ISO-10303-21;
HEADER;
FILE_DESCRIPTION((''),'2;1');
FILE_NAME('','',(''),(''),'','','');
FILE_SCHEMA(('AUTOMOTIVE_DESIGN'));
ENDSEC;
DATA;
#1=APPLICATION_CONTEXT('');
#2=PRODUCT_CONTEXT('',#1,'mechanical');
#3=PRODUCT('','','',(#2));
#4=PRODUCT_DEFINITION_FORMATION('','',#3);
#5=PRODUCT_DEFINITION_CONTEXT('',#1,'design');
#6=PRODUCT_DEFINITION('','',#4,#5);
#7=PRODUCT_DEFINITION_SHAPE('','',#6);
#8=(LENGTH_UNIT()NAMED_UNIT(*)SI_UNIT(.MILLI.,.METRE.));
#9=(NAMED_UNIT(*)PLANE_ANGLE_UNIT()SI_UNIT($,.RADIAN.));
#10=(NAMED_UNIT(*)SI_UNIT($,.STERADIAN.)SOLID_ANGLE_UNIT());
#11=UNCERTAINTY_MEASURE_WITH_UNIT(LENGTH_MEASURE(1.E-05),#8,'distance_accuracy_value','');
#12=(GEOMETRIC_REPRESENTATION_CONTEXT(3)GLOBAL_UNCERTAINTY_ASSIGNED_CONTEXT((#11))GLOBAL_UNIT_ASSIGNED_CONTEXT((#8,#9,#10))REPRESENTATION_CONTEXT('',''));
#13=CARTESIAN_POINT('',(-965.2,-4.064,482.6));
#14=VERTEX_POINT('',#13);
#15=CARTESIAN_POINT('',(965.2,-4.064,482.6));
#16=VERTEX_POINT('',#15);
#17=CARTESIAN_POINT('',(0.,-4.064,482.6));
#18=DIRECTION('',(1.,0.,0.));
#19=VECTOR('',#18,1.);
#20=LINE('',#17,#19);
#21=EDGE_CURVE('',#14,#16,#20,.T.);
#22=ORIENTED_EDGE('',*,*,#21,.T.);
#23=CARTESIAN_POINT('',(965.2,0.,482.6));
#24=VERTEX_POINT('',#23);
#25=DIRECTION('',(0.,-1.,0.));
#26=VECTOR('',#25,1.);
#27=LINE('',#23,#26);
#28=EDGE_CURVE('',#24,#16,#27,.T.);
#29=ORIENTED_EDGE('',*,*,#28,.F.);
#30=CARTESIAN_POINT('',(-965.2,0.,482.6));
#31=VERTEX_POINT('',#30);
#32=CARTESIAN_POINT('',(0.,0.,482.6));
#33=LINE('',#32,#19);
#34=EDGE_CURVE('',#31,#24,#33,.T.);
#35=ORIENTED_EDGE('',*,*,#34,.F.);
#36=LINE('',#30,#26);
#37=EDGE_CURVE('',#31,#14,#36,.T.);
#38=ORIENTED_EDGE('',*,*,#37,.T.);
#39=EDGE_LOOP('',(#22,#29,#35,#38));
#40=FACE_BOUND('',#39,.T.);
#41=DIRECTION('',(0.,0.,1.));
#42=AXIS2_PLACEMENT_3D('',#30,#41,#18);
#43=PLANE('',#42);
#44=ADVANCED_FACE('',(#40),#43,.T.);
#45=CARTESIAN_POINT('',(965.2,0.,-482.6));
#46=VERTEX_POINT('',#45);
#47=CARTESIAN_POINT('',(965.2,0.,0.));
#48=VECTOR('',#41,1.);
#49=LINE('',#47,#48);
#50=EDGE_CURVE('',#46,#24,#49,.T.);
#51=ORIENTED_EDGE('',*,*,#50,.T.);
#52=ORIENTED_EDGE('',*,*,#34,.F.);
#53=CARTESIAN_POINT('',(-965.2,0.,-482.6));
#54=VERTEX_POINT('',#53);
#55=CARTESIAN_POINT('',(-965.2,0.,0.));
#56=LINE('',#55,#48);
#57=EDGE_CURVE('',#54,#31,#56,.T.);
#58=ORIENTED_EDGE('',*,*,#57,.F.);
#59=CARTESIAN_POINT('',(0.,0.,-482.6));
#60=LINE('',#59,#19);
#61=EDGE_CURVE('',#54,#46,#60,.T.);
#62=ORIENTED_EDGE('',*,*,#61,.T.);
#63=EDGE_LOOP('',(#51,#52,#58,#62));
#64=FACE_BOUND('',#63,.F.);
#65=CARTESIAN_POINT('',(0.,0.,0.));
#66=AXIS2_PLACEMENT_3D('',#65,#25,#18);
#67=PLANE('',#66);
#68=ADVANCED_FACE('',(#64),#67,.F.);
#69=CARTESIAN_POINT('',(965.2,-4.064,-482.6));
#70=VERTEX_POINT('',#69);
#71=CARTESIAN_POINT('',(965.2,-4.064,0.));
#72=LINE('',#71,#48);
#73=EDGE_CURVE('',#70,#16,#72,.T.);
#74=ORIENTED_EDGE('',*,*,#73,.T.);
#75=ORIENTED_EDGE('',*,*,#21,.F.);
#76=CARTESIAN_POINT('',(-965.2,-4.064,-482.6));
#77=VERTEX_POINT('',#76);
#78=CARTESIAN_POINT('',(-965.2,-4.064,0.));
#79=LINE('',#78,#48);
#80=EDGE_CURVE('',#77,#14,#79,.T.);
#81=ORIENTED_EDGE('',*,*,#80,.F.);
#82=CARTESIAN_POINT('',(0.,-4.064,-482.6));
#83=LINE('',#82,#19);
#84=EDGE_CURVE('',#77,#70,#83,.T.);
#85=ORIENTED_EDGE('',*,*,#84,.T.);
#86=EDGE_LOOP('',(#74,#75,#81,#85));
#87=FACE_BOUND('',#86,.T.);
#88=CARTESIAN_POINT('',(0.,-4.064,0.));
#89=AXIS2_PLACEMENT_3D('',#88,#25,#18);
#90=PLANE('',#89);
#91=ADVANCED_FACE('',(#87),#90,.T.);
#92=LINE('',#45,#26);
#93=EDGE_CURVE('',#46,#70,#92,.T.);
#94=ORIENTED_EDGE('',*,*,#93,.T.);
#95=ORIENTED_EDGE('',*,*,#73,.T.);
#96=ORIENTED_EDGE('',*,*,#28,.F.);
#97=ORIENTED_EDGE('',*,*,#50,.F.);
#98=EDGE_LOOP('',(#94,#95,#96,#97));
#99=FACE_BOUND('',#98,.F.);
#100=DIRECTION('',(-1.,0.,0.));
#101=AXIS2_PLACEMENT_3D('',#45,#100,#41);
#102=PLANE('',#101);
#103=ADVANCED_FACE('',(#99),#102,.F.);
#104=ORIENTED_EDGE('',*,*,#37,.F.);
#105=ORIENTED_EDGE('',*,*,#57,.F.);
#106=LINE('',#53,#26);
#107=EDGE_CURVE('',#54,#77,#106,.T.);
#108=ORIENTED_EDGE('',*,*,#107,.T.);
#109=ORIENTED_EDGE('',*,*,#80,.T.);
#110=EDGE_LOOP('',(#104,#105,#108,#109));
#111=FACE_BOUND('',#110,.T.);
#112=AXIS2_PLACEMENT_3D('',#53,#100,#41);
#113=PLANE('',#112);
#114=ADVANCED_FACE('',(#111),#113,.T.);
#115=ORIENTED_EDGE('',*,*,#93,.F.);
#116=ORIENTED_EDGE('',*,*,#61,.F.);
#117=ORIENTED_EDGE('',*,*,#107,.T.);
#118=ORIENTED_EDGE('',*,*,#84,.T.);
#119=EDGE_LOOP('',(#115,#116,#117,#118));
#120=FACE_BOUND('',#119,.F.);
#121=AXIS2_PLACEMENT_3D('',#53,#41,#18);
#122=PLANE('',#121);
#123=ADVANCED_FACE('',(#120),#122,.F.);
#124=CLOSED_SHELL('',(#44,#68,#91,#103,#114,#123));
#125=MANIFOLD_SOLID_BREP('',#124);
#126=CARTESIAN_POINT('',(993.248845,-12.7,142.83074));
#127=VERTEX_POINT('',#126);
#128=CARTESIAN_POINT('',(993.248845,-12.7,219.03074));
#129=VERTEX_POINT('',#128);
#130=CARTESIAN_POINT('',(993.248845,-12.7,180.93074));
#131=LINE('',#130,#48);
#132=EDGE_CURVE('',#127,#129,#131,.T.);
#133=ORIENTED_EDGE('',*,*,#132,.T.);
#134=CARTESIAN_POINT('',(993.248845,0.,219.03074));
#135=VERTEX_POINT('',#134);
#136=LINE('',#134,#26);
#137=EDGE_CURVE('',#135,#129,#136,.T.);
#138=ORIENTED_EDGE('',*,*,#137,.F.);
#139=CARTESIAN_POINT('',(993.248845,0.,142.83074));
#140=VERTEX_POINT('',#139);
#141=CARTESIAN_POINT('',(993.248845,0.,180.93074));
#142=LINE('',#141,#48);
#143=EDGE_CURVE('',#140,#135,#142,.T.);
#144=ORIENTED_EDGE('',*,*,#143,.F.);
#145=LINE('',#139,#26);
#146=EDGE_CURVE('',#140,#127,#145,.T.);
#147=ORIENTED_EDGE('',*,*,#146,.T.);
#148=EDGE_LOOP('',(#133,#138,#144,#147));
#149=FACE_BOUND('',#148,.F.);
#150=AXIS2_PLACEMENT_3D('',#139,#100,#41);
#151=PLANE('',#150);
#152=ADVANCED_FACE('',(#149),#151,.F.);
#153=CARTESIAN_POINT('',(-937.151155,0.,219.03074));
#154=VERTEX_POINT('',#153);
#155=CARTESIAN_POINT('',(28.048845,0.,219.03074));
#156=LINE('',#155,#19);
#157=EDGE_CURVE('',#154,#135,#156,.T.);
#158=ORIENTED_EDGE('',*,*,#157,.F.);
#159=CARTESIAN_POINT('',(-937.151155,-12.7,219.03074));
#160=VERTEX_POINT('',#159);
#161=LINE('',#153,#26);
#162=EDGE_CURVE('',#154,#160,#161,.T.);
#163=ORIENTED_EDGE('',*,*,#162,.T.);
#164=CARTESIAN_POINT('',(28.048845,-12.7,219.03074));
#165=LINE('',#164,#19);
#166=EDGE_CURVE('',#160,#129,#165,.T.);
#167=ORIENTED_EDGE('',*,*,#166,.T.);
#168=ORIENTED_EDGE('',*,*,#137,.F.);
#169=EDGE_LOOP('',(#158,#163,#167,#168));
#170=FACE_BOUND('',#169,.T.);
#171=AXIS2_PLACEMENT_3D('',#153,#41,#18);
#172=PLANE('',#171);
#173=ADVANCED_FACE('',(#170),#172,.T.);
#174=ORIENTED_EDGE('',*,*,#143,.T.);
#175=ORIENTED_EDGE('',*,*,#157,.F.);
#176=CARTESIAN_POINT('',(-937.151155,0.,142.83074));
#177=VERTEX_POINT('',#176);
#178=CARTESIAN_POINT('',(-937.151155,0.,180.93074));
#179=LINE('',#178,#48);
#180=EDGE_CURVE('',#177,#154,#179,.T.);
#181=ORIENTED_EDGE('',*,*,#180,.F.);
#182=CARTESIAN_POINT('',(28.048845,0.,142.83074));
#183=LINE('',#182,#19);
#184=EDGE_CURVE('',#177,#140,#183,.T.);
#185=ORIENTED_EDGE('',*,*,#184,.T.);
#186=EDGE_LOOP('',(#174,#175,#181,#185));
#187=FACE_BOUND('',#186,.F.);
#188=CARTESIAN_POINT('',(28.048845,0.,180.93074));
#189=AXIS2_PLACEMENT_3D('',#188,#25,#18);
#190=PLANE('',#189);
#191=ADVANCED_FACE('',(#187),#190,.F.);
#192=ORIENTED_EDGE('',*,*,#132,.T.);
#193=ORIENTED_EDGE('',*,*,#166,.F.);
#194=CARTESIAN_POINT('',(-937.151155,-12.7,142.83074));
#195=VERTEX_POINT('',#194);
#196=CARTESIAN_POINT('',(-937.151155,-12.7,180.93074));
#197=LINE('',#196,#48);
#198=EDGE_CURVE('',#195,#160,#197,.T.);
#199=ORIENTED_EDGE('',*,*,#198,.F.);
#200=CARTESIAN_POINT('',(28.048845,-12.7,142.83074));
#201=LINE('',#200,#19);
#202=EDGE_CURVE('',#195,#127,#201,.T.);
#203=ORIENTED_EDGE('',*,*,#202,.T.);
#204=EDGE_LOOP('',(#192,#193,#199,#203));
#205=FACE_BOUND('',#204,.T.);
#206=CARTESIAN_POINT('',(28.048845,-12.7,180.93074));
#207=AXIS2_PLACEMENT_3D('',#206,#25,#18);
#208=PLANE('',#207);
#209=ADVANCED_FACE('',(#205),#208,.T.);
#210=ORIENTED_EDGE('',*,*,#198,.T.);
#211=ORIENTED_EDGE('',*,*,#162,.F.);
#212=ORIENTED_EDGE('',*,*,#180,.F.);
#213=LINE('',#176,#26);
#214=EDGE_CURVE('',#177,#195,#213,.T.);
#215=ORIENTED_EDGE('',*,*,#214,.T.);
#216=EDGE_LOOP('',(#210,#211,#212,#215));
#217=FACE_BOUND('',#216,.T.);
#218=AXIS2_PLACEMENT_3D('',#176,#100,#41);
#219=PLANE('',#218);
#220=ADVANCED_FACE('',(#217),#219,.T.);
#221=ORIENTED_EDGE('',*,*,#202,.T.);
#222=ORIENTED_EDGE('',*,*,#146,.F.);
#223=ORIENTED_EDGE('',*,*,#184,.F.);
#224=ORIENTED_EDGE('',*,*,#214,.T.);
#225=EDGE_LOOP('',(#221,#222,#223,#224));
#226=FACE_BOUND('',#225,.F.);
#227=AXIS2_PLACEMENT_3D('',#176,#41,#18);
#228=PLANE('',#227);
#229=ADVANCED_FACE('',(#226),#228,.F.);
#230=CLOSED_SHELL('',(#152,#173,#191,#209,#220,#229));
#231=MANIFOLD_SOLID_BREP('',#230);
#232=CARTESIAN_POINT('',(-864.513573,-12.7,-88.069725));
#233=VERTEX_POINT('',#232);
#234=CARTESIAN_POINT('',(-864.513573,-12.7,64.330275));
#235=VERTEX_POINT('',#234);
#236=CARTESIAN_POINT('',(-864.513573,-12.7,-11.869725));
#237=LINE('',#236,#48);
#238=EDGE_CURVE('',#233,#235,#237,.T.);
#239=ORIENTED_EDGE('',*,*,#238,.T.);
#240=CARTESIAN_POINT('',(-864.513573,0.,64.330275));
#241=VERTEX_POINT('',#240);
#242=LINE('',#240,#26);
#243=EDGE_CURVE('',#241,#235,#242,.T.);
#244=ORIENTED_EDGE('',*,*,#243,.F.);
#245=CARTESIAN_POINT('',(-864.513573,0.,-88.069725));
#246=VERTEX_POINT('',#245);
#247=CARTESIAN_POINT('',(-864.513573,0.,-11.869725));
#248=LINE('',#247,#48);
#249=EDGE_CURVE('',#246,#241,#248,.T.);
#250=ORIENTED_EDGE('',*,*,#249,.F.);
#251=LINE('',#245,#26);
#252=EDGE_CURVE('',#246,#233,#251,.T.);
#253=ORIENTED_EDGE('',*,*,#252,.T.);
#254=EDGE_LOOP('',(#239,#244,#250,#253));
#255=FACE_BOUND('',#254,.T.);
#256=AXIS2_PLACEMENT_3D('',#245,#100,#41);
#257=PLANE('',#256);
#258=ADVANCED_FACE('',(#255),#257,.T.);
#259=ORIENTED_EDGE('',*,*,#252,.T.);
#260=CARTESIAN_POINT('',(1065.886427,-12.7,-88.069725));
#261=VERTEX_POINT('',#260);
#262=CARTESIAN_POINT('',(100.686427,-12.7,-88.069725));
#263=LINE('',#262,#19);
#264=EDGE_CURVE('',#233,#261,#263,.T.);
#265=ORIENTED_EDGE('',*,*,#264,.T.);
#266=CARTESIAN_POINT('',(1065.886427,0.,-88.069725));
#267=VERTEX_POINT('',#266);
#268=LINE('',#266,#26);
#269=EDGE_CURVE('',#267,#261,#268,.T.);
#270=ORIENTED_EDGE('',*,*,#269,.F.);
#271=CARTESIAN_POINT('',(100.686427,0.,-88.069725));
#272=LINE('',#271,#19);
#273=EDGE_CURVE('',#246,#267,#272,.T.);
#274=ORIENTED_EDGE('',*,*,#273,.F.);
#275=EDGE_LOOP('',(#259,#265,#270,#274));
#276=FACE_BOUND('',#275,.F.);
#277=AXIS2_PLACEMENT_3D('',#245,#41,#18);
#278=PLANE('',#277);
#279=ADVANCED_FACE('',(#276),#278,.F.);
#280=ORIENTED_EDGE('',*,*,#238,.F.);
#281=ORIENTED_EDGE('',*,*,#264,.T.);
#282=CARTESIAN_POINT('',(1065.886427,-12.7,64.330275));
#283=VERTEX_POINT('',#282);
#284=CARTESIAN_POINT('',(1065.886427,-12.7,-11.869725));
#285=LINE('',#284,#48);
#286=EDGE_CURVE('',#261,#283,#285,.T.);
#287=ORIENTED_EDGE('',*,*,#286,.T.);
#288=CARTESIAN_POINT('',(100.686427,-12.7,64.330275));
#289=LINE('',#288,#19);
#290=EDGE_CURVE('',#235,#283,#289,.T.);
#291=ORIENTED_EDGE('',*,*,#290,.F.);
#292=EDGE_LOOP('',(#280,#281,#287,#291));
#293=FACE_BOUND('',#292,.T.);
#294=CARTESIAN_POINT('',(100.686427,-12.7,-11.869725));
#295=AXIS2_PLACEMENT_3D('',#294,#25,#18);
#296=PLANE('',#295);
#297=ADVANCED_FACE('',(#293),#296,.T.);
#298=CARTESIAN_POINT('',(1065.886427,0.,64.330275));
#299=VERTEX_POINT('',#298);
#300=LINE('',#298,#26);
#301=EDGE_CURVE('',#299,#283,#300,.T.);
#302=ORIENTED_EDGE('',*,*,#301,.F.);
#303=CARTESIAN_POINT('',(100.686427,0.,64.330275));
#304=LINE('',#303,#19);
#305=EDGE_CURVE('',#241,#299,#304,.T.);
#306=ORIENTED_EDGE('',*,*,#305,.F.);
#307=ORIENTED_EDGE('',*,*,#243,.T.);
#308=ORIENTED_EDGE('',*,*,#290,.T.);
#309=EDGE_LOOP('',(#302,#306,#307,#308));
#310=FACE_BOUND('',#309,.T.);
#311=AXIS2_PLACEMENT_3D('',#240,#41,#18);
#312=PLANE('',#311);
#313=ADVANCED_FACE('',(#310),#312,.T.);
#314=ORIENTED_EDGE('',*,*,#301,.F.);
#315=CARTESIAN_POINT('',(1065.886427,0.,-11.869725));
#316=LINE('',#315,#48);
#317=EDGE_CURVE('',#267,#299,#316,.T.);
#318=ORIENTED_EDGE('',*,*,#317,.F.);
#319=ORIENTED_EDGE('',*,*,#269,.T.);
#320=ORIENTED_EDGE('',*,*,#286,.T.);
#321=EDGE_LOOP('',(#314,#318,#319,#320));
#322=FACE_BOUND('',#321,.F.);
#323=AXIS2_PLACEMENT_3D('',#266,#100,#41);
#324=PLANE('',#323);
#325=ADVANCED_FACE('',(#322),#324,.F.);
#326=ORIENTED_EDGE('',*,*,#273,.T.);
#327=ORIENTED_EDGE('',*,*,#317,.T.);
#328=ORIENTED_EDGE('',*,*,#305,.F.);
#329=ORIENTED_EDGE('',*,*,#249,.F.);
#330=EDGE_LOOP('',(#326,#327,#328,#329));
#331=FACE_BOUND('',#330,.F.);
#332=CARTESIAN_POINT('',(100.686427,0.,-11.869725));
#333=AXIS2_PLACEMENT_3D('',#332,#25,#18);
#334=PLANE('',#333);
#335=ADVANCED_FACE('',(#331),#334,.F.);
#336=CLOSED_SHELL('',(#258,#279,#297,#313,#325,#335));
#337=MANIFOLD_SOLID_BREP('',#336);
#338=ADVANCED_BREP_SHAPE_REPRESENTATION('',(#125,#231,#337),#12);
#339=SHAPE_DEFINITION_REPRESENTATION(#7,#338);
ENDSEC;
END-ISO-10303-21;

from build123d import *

# Parameters (mm, degrees)
F0_W     = 1930.4
F0_H     = 152.4
F1_DEPTH = 12.7
F2_W     = 1930.4
F2_H     = 76.2
F3_DEPTH = 12.7
F4_W     = 1930.4
F4_H     = 965.2
F5_DEPTH = 4.064


with BuildPart() as f1:
    # F0 (on Front) → F1 (new body)
    with BuildSketch(Plane.XZ):
        with Locations((100.686427, -11.869725)):
            Rectangle(F0_W, F0_H)
    extrude(amount=F1_DEPTH)


with BuildPart() as f3:
    # F2 (on Front) → F3 (new body)
    with BuildSketch(Plane.XZ):
        with Locations((28.048845, 180.93074)):
            Rectangle(F2_W, F2_H)
    extrude(amount=F3_DEPTH)


with BuildPart() as f5:
    # F4 (on Front) → F5 (new body)
    with BuildSketch(Plane.XZ):
        Rectangle(F4_W, F4_H)
    extrude(amount=F5_DEPTH)


solid = Compound([f1.part, f3.part, f5.part])
